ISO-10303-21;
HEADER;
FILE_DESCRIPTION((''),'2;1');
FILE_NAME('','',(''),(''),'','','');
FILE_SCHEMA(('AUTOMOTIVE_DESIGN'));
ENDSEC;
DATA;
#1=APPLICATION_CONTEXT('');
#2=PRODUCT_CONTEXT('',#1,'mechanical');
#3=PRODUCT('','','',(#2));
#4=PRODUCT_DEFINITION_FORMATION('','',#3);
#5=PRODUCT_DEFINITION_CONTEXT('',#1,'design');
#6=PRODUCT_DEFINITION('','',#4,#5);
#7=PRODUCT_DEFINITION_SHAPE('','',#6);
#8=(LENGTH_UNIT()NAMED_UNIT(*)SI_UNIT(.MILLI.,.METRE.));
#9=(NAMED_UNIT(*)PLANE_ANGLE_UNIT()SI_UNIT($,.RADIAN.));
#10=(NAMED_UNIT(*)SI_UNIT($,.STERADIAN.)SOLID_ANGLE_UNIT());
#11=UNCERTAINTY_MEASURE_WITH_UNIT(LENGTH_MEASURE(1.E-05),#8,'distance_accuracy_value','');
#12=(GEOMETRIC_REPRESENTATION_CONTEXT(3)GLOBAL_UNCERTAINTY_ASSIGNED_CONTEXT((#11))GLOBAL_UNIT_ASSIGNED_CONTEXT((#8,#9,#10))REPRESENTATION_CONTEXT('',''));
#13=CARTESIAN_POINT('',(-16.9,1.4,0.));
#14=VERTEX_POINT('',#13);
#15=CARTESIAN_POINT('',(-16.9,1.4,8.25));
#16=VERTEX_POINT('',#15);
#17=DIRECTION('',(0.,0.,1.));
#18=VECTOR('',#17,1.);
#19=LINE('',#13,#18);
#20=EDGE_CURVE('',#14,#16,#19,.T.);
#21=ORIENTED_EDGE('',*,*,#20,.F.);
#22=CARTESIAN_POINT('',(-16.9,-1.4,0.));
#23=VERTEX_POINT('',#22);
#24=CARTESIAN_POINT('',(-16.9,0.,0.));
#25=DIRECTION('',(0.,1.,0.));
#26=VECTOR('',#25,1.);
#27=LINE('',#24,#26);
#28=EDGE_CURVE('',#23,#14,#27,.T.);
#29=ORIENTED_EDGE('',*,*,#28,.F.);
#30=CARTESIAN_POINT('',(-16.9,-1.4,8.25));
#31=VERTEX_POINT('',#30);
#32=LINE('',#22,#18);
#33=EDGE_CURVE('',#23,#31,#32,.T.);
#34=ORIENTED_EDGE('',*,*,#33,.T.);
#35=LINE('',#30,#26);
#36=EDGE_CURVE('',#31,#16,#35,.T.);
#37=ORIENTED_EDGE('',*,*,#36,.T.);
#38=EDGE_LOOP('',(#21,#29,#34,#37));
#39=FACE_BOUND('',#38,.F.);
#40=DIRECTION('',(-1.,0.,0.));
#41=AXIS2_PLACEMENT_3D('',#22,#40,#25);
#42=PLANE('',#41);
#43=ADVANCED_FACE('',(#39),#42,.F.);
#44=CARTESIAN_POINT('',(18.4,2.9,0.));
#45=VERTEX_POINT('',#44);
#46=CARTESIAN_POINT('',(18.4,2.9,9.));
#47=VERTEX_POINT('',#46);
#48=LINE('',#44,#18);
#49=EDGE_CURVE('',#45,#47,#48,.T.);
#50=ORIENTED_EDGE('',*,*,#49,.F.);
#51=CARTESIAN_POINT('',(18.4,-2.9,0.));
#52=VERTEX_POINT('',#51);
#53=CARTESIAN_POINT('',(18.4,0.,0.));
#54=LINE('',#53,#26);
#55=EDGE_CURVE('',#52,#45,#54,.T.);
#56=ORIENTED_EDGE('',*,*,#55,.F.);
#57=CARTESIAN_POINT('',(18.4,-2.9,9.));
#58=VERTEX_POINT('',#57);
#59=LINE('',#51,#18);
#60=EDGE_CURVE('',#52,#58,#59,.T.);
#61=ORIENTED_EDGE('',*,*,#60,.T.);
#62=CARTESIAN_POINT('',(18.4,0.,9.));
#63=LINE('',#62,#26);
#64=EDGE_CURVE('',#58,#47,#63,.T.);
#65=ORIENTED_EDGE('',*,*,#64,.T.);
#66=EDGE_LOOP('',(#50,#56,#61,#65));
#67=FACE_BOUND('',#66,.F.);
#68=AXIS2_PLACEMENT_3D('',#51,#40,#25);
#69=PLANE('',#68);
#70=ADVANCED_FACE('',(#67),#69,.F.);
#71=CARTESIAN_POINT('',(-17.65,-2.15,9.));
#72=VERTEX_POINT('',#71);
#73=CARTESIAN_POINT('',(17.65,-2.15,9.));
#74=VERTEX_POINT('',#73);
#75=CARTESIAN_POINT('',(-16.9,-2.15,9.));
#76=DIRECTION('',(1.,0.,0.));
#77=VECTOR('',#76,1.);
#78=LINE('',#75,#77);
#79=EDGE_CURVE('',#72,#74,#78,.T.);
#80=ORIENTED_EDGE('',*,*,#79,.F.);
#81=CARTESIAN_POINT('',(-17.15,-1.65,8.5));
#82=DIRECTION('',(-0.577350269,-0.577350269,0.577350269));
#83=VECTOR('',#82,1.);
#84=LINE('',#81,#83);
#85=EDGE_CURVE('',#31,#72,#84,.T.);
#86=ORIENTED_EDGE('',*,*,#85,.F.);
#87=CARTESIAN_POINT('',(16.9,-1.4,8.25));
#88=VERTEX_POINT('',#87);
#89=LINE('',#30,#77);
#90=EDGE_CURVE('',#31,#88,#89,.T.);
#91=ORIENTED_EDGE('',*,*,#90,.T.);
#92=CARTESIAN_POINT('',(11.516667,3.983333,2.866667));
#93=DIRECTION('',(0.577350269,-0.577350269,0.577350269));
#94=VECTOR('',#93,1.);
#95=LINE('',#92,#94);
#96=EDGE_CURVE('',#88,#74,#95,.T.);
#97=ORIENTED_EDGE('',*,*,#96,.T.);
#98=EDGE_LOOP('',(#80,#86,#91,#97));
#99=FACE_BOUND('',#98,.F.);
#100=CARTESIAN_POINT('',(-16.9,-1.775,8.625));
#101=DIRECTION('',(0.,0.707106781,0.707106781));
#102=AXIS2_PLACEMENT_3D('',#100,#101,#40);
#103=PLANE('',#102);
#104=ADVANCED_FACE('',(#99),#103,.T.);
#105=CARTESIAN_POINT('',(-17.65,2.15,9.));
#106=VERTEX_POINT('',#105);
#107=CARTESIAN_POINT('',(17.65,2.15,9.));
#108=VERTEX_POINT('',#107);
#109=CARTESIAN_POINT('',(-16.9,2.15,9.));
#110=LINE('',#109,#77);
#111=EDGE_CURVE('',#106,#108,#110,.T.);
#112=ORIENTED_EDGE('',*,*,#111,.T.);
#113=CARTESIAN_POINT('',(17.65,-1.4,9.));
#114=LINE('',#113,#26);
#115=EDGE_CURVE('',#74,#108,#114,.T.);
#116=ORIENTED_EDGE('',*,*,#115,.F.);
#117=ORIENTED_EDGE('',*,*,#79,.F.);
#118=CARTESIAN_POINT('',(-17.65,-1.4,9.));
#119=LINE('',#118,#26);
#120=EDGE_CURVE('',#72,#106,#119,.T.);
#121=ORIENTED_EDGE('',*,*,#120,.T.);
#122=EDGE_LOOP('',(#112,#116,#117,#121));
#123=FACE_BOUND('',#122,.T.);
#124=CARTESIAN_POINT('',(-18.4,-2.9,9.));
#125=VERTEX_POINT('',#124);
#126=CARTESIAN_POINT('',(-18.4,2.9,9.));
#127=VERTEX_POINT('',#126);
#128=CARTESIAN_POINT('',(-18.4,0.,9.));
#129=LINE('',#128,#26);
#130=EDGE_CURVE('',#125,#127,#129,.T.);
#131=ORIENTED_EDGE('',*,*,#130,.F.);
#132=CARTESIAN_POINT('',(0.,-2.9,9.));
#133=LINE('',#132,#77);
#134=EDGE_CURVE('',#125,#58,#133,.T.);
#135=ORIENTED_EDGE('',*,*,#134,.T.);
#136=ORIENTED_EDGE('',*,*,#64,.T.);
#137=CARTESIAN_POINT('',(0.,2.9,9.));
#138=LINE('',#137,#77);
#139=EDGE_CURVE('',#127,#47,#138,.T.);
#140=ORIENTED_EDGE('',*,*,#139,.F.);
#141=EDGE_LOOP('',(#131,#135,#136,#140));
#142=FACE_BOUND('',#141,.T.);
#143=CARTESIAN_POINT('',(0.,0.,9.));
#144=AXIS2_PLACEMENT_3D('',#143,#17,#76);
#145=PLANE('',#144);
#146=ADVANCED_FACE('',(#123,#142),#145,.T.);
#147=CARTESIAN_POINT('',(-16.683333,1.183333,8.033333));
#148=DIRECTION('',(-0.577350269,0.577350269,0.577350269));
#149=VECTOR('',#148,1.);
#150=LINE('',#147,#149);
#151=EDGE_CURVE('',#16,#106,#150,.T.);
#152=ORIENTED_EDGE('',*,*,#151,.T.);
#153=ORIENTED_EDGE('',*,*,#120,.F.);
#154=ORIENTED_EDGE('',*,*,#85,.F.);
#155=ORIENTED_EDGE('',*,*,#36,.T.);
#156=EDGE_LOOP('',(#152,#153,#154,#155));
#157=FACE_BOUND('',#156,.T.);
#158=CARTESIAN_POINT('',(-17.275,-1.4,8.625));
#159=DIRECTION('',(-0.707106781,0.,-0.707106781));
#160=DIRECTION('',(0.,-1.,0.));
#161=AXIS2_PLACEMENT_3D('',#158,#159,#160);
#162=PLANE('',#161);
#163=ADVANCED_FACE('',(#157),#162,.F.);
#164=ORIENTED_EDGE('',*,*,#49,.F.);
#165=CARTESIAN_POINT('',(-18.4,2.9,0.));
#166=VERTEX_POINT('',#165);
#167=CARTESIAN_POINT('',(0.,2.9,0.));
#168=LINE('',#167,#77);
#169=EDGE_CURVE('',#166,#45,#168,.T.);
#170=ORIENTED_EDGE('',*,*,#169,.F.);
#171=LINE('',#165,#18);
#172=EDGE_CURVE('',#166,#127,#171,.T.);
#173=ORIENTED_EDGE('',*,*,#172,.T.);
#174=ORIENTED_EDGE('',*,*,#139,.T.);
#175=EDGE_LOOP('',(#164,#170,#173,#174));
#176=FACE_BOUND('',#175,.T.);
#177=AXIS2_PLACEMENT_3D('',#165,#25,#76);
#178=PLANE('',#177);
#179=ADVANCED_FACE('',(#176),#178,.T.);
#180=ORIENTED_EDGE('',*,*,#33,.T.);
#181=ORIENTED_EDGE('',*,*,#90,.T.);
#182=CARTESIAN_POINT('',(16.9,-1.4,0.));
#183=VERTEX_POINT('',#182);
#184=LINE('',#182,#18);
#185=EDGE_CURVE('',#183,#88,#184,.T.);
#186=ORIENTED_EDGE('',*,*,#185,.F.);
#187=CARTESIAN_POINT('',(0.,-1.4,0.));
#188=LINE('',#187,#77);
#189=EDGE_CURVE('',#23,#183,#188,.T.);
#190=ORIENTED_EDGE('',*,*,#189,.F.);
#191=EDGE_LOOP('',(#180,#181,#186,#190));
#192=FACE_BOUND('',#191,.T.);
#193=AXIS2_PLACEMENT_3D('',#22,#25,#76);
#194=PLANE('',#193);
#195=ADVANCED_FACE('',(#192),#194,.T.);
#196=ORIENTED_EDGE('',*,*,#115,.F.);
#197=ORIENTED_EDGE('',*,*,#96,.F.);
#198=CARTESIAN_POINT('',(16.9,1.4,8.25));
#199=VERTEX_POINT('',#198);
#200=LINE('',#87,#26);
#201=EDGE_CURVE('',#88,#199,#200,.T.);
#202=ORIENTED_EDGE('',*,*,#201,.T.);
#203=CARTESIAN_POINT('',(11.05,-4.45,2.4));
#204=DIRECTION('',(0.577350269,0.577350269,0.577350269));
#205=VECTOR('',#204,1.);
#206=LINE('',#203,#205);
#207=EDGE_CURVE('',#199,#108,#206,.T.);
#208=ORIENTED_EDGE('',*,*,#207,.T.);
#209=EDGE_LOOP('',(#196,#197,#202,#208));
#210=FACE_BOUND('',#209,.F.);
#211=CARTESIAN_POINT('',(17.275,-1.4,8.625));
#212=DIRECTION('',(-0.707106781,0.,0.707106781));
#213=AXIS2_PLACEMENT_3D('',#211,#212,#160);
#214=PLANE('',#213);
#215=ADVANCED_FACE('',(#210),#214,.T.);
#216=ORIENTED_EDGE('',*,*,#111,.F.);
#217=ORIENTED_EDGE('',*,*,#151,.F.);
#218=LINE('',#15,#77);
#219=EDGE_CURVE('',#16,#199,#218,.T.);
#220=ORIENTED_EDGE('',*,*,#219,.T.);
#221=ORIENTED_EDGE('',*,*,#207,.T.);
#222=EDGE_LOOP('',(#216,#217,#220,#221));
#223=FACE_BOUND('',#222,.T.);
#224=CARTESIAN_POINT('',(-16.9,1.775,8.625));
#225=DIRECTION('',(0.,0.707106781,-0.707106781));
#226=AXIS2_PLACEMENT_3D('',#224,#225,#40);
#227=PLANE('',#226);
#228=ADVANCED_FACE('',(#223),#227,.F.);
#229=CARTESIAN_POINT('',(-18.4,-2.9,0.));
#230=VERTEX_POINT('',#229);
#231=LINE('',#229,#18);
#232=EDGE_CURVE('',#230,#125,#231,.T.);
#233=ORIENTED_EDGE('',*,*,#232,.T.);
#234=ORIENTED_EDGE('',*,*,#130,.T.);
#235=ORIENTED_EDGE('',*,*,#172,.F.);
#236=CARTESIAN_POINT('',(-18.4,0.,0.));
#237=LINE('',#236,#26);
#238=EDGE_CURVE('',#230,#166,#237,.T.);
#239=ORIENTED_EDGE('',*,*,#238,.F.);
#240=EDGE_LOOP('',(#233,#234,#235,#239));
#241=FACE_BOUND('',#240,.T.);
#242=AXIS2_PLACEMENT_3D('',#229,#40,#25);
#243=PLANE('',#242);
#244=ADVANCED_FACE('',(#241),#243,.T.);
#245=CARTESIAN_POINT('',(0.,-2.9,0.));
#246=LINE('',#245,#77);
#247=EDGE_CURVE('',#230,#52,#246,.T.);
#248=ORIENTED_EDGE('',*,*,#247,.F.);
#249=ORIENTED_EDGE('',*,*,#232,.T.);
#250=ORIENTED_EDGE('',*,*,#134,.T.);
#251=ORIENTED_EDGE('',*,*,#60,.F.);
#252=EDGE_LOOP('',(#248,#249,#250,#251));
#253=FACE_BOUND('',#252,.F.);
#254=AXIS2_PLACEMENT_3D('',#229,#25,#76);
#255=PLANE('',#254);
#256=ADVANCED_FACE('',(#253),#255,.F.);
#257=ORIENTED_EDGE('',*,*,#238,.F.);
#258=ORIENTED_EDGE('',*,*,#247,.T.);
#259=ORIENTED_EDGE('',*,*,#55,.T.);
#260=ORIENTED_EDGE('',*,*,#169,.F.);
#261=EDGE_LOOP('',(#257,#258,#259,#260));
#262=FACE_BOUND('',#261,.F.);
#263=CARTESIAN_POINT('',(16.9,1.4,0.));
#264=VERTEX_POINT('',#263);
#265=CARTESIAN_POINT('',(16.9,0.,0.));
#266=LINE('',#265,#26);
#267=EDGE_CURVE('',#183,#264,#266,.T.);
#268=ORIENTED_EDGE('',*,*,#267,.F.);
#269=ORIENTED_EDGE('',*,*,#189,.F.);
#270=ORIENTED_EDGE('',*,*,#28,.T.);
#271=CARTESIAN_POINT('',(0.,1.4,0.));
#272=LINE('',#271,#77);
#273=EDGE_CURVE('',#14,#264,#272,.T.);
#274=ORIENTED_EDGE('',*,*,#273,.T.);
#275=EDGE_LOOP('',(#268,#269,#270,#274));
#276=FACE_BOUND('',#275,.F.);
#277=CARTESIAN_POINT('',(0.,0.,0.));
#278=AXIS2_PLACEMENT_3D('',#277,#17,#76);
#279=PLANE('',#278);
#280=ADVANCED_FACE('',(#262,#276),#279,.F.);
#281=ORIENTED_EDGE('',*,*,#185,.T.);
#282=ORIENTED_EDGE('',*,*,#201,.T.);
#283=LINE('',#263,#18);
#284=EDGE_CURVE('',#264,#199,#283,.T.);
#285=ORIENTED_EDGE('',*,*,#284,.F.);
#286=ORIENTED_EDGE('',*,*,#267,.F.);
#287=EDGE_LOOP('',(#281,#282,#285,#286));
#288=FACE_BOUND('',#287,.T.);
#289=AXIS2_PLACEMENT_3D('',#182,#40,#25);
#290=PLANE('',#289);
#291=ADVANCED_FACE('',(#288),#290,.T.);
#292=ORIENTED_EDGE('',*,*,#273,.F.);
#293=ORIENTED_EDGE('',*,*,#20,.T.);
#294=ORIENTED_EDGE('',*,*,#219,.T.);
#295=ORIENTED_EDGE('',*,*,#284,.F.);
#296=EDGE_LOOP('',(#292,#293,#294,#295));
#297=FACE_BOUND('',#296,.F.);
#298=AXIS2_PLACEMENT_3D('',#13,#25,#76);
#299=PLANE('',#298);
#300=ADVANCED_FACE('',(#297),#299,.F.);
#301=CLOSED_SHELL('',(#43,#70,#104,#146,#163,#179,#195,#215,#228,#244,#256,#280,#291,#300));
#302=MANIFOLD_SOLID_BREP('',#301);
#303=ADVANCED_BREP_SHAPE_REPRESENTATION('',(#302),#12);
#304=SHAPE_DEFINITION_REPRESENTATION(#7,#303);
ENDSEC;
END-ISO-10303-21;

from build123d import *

# Parameters (mm, degrees)
SKETCH_W     = 36.8
SKETCH_H     = 5.8
SKETCH_W_2   = 33.8
SKETCH_H_2   = 2.8
PAD_DEPTH    = 9
CHAMFER_SIZE = 0.75


with BuildPart() as part:
    # Sketch → Pad (new body)
    with BuildSketch(Plane.XY):
        Rectangle(SKETCH_W, SKETCH_H)
        Rectangle(SKETCH_W_2, SKETCH_H_2, mode=Mode.SUBTRACT)
    extrude(amount=PAD_DEPTH)

    # Chamfer
    chamfer_edges = [part.edges().sort_by_distance(p)[0] for p in [
        (0, 1.4, 9),
        (0, -1.4, 9),
        (-16.9, 0, 9),
        (16.9, 0, 9),
    ]]
    chamfer(chamfer_edges, length=CHAMFER_SIZE)


solid = part.part
